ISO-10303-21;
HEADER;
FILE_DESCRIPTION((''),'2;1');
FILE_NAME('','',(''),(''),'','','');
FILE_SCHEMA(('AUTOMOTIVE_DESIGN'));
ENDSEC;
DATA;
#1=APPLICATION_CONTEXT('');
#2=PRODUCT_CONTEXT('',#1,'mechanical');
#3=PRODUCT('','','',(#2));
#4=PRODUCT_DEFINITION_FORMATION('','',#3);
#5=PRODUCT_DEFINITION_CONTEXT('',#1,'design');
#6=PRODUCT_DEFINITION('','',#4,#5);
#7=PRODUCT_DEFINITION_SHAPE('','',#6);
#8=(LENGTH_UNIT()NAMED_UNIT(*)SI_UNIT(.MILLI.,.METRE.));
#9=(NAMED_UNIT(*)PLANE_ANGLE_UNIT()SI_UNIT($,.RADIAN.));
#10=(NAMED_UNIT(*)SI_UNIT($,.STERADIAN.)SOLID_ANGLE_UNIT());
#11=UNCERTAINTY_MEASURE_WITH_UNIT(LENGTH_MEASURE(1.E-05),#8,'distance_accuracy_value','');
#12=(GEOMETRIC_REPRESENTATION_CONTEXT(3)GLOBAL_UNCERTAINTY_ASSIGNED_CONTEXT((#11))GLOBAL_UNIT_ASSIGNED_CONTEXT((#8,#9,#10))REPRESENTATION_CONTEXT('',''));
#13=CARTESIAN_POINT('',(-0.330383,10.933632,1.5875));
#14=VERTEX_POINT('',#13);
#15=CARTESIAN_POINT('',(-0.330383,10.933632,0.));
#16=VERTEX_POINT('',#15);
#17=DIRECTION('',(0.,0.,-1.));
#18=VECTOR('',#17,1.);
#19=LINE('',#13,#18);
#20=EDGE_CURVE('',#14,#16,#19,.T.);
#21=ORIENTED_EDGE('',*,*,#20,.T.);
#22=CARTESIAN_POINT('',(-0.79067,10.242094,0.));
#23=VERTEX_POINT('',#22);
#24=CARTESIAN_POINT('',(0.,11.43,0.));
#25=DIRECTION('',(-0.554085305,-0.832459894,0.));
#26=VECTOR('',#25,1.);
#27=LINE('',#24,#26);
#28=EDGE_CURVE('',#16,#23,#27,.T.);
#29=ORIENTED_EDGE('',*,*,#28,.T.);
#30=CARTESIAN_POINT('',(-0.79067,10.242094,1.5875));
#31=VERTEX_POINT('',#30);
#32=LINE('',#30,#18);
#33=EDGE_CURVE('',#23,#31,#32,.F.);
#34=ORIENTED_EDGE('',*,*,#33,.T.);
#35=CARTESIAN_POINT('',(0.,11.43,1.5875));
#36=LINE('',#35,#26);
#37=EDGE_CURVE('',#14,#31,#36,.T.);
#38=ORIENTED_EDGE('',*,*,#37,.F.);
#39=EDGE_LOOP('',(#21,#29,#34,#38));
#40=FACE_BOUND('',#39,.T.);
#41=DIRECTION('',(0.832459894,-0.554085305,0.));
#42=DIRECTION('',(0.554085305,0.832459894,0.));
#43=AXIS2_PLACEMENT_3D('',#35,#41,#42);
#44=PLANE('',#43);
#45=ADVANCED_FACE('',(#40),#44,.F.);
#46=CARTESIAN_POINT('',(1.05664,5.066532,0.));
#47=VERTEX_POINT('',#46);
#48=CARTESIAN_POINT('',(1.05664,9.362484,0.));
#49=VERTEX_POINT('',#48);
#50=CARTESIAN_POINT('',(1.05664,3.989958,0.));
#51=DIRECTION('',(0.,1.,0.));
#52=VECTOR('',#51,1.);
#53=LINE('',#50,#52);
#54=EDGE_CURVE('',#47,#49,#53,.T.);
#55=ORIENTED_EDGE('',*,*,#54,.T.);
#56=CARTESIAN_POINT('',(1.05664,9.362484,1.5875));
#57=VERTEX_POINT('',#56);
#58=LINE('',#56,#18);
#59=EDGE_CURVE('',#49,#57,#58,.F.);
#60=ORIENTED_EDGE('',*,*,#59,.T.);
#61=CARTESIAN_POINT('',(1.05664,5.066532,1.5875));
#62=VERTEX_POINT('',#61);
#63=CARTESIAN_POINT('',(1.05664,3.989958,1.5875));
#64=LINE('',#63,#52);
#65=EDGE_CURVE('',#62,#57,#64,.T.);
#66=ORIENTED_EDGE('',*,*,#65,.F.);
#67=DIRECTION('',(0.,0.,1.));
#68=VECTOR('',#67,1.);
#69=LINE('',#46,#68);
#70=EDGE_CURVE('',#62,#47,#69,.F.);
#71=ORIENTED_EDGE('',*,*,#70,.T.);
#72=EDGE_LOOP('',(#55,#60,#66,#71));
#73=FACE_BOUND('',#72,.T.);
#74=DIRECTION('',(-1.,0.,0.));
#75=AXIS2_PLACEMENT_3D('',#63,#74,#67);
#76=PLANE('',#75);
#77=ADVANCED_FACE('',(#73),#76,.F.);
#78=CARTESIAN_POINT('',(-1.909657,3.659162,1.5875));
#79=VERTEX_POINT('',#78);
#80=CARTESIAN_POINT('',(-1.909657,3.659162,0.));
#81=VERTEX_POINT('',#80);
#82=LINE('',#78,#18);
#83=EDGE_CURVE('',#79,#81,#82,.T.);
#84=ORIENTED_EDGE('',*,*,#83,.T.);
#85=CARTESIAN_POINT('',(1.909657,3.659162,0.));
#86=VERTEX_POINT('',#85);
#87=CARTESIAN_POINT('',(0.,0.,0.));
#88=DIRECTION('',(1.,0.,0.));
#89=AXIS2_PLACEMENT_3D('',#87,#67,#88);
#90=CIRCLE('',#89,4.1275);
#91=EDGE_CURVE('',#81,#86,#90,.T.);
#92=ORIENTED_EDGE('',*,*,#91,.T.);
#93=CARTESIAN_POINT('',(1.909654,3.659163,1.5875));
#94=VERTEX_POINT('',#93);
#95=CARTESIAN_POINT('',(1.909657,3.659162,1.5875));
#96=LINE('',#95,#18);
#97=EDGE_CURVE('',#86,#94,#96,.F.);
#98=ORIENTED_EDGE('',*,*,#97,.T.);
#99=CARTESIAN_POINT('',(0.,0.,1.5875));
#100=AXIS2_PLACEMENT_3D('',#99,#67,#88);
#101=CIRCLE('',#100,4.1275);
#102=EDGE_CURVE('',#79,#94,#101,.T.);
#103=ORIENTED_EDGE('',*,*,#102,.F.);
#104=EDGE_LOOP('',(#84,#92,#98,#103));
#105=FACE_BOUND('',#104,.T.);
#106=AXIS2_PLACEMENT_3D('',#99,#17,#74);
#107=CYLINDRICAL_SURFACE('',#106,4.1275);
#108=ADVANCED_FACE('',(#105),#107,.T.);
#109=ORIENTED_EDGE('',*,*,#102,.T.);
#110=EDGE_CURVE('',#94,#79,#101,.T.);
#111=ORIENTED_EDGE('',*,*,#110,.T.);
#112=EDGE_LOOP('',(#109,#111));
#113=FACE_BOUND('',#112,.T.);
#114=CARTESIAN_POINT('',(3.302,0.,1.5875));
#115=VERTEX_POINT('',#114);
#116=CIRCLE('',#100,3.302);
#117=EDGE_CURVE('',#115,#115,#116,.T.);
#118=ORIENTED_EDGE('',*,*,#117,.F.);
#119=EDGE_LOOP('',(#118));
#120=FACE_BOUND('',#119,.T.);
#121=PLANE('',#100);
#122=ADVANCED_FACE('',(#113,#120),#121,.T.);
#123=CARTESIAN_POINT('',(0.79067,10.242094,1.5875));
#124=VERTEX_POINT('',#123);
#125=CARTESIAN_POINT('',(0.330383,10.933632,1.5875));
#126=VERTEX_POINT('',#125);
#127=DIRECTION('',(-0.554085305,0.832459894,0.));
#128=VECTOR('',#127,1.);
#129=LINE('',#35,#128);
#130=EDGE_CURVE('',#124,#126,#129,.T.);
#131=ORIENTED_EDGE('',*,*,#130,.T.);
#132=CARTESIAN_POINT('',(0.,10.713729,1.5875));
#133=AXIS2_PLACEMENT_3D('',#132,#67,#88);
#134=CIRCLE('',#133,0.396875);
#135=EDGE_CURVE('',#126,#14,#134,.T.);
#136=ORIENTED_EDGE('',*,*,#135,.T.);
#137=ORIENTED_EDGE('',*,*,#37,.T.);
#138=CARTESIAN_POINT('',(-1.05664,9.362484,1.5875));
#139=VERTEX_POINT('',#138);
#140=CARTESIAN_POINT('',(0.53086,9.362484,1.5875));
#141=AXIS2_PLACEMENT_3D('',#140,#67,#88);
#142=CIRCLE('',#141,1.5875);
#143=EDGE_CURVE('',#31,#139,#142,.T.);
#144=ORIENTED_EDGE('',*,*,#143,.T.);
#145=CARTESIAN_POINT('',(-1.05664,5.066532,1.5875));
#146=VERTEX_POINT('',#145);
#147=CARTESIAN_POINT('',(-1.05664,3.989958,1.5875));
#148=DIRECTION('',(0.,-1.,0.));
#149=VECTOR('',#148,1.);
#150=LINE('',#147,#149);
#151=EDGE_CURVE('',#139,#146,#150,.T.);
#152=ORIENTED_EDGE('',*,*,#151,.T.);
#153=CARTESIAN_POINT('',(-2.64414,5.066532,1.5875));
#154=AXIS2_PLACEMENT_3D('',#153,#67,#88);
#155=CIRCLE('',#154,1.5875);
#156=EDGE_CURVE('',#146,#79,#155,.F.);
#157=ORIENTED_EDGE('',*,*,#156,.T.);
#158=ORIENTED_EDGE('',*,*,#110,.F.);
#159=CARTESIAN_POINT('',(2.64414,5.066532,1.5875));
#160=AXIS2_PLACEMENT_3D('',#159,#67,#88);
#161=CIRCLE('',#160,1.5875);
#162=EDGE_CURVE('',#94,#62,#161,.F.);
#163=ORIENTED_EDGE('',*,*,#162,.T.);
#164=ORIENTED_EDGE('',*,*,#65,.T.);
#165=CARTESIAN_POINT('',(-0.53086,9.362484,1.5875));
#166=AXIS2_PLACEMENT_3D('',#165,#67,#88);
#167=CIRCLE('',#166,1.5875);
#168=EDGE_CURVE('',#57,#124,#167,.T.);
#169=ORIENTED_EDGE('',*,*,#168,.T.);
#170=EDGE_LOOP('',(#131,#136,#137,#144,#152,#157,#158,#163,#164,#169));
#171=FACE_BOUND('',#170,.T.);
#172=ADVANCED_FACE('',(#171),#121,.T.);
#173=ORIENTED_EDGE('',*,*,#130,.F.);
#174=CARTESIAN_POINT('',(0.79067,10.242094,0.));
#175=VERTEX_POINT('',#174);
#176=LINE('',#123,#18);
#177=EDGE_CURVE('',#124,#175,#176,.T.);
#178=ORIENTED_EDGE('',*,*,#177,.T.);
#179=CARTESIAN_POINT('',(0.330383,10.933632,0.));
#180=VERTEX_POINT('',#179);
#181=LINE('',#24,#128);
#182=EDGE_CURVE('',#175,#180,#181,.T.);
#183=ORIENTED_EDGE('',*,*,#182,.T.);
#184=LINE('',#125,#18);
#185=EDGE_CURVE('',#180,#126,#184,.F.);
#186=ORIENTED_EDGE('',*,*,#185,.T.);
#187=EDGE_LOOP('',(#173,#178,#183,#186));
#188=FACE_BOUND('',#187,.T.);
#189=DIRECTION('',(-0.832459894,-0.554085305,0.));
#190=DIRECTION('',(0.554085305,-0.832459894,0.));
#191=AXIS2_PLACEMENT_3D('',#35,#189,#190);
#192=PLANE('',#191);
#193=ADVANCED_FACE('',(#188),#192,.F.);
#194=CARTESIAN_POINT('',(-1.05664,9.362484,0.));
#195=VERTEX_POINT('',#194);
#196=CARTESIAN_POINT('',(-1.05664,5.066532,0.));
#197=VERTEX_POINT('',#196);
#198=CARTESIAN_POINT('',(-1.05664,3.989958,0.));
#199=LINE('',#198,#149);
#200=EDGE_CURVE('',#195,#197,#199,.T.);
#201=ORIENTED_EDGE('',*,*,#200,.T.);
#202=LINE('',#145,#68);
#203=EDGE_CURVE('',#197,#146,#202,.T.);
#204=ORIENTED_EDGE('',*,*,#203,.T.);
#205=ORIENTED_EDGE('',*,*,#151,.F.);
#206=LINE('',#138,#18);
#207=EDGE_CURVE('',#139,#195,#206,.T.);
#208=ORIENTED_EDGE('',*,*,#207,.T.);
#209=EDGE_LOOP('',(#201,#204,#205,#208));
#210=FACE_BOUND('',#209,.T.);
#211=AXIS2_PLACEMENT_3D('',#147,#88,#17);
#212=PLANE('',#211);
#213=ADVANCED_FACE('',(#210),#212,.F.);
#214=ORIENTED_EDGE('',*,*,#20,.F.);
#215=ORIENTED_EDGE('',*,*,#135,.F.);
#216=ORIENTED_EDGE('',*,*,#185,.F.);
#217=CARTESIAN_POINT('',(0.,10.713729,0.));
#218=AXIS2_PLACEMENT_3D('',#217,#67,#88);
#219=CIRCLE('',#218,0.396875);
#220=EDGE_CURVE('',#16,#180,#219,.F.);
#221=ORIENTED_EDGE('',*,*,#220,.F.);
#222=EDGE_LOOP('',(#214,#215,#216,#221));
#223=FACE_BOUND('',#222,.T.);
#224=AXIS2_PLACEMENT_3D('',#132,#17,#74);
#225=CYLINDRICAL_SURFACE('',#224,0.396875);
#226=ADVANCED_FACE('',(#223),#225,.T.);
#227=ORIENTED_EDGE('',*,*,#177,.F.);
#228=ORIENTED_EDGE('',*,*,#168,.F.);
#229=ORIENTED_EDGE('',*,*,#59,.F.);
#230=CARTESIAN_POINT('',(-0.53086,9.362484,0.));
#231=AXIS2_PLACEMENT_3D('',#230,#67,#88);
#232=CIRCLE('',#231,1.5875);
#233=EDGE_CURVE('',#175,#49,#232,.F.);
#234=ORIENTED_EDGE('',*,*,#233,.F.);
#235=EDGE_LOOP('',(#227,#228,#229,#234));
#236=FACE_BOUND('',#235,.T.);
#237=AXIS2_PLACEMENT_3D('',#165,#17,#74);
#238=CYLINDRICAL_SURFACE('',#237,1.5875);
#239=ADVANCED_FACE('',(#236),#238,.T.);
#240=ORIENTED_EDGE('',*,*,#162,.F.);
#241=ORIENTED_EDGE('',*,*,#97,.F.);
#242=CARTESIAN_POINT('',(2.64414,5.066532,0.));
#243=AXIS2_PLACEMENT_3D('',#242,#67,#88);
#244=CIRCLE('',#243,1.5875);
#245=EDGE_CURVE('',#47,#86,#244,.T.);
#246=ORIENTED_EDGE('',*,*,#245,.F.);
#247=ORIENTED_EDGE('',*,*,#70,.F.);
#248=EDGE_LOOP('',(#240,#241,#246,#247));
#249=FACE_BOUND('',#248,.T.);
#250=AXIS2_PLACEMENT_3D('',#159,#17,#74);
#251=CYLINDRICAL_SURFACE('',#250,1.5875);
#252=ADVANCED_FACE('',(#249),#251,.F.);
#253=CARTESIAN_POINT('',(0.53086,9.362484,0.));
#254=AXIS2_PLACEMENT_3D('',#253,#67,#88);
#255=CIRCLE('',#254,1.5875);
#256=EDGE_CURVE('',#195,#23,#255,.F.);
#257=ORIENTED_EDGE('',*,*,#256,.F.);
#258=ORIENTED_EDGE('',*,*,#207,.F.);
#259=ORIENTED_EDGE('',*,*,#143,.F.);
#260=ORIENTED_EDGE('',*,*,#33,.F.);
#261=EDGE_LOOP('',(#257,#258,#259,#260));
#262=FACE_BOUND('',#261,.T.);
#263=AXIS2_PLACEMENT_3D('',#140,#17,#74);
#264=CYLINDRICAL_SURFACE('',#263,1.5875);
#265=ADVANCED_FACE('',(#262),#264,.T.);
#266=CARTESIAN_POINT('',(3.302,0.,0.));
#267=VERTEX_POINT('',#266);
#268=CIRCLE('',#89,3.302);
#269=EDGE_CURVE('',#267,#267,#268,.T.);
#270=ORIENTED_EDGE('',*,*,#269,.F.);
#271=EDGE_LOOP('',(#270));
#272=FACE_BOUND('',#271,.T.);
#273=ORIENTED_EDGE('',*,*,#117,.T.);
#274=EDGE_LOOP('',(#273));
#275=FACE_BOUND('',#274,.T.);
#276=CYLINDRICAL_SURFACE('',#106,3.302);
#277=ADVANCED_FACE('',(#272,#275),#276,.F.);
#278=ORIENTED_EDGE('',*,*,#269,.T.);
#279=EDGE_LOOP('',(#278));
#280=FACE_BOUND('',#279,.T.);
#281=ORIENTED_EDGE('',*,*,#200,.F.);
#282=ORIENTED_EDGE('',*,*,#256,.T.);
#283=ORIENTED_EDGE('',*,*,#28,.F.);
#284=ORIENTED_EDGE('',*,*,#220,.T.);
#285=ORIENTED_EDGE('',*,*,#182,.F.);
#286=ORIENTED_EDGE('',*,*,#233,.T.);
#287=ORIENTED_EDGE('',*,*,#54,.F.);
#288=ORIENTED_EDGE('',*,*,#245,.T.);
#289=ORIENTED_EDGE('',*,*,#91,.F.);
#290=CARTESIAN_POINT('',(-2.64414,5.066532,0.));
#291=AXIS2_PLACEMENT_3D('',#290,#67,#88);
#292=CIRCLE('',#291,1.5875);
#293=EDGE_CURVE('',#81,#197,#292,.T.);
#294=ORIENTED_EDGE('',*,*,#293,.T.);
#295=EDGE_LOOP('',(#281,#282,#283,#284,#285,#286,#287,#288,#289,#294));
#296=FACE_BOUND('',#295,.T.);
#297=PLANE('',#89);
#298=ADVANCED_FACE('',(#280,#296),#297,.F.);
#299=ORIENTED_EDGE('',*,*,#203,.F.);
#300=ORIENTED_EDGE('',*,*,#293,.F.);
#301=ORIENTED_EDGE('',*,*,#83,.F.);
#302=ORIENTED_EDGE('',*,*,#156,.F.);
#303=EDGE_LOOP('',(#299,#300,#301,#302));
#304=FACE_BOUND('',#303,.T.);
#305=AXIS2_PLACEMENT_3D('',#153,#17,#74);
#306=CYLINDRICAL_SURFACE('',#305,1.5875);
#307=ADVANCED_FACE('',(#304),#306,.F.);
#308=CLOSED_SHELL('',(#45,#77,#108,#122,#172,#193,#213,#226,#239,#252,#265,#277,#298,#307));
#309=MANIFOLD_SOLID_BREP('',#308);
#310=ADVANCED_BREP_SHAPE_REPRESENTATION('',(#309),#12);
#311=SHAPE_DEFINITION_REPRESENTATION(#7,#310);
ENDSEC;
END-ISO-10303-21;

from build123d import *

# Parameters (mm, degrees)
SKETCH1_R           = 3.302
BOSS_EXTRUDE1_DEPTH = 1.5875
FILLET1_R           = 1.5875
FILLET2_R           = 0.396875
FILLET3_R           = 1.5875


with BuildPart() as part:
    # Sketch1 → Boss-Extrude1 (new body)
    with BuildSketch(Plane.XY):
        with BuildLine():
            Line((1.05664, 3.989958416), (1.05664, 9.8425))
            Line((1.05664, 9.8425), (0, 11.43))
            Line((0, 11.43), (-1.05664, 9.8425))
            Line((-1.05664, 9.8425), (-1.05664, 3.989958416))
            ThreePointArc((-1.05664, 3.989958416), (0, -4.1275), (1.05664, 3.989958416))
        make_face()
        Circle(SKETCH1_R, mode=Mode.SUBTRACT)
    extrude(amount=BOSS_EXTRUDE1_DEPTH)

    # Fillet1
    fillet1_edges = [part.edges().sort_by_distance(p)[0] for p in [
        (1.05664, 9.8425, 0.79375),
        (-1.05664, 9.8425, 0.79375),
    ]]
    fillet(fillet1_edges, radius=FILLET1_R)

    # Fillet2
    fillet2_edges = [part.edges().sort_by_distance(p)[0] for p in [
        (0, 11.43, 0.79375),
    ]]
    fillet(fillet2_edges, radius=FILLET2_R)

    # Fillet3
    fillet3_edges = [part.edges().sort_by_distance(p)[0] for p in [
        (1.05664, 3.989958416, 0.79375),
        (-1.05664, 3.989958416, 0.79375),
    ]]
    fillet(fillet3_edges, radius=FILLET3_R)


solid = part.part
